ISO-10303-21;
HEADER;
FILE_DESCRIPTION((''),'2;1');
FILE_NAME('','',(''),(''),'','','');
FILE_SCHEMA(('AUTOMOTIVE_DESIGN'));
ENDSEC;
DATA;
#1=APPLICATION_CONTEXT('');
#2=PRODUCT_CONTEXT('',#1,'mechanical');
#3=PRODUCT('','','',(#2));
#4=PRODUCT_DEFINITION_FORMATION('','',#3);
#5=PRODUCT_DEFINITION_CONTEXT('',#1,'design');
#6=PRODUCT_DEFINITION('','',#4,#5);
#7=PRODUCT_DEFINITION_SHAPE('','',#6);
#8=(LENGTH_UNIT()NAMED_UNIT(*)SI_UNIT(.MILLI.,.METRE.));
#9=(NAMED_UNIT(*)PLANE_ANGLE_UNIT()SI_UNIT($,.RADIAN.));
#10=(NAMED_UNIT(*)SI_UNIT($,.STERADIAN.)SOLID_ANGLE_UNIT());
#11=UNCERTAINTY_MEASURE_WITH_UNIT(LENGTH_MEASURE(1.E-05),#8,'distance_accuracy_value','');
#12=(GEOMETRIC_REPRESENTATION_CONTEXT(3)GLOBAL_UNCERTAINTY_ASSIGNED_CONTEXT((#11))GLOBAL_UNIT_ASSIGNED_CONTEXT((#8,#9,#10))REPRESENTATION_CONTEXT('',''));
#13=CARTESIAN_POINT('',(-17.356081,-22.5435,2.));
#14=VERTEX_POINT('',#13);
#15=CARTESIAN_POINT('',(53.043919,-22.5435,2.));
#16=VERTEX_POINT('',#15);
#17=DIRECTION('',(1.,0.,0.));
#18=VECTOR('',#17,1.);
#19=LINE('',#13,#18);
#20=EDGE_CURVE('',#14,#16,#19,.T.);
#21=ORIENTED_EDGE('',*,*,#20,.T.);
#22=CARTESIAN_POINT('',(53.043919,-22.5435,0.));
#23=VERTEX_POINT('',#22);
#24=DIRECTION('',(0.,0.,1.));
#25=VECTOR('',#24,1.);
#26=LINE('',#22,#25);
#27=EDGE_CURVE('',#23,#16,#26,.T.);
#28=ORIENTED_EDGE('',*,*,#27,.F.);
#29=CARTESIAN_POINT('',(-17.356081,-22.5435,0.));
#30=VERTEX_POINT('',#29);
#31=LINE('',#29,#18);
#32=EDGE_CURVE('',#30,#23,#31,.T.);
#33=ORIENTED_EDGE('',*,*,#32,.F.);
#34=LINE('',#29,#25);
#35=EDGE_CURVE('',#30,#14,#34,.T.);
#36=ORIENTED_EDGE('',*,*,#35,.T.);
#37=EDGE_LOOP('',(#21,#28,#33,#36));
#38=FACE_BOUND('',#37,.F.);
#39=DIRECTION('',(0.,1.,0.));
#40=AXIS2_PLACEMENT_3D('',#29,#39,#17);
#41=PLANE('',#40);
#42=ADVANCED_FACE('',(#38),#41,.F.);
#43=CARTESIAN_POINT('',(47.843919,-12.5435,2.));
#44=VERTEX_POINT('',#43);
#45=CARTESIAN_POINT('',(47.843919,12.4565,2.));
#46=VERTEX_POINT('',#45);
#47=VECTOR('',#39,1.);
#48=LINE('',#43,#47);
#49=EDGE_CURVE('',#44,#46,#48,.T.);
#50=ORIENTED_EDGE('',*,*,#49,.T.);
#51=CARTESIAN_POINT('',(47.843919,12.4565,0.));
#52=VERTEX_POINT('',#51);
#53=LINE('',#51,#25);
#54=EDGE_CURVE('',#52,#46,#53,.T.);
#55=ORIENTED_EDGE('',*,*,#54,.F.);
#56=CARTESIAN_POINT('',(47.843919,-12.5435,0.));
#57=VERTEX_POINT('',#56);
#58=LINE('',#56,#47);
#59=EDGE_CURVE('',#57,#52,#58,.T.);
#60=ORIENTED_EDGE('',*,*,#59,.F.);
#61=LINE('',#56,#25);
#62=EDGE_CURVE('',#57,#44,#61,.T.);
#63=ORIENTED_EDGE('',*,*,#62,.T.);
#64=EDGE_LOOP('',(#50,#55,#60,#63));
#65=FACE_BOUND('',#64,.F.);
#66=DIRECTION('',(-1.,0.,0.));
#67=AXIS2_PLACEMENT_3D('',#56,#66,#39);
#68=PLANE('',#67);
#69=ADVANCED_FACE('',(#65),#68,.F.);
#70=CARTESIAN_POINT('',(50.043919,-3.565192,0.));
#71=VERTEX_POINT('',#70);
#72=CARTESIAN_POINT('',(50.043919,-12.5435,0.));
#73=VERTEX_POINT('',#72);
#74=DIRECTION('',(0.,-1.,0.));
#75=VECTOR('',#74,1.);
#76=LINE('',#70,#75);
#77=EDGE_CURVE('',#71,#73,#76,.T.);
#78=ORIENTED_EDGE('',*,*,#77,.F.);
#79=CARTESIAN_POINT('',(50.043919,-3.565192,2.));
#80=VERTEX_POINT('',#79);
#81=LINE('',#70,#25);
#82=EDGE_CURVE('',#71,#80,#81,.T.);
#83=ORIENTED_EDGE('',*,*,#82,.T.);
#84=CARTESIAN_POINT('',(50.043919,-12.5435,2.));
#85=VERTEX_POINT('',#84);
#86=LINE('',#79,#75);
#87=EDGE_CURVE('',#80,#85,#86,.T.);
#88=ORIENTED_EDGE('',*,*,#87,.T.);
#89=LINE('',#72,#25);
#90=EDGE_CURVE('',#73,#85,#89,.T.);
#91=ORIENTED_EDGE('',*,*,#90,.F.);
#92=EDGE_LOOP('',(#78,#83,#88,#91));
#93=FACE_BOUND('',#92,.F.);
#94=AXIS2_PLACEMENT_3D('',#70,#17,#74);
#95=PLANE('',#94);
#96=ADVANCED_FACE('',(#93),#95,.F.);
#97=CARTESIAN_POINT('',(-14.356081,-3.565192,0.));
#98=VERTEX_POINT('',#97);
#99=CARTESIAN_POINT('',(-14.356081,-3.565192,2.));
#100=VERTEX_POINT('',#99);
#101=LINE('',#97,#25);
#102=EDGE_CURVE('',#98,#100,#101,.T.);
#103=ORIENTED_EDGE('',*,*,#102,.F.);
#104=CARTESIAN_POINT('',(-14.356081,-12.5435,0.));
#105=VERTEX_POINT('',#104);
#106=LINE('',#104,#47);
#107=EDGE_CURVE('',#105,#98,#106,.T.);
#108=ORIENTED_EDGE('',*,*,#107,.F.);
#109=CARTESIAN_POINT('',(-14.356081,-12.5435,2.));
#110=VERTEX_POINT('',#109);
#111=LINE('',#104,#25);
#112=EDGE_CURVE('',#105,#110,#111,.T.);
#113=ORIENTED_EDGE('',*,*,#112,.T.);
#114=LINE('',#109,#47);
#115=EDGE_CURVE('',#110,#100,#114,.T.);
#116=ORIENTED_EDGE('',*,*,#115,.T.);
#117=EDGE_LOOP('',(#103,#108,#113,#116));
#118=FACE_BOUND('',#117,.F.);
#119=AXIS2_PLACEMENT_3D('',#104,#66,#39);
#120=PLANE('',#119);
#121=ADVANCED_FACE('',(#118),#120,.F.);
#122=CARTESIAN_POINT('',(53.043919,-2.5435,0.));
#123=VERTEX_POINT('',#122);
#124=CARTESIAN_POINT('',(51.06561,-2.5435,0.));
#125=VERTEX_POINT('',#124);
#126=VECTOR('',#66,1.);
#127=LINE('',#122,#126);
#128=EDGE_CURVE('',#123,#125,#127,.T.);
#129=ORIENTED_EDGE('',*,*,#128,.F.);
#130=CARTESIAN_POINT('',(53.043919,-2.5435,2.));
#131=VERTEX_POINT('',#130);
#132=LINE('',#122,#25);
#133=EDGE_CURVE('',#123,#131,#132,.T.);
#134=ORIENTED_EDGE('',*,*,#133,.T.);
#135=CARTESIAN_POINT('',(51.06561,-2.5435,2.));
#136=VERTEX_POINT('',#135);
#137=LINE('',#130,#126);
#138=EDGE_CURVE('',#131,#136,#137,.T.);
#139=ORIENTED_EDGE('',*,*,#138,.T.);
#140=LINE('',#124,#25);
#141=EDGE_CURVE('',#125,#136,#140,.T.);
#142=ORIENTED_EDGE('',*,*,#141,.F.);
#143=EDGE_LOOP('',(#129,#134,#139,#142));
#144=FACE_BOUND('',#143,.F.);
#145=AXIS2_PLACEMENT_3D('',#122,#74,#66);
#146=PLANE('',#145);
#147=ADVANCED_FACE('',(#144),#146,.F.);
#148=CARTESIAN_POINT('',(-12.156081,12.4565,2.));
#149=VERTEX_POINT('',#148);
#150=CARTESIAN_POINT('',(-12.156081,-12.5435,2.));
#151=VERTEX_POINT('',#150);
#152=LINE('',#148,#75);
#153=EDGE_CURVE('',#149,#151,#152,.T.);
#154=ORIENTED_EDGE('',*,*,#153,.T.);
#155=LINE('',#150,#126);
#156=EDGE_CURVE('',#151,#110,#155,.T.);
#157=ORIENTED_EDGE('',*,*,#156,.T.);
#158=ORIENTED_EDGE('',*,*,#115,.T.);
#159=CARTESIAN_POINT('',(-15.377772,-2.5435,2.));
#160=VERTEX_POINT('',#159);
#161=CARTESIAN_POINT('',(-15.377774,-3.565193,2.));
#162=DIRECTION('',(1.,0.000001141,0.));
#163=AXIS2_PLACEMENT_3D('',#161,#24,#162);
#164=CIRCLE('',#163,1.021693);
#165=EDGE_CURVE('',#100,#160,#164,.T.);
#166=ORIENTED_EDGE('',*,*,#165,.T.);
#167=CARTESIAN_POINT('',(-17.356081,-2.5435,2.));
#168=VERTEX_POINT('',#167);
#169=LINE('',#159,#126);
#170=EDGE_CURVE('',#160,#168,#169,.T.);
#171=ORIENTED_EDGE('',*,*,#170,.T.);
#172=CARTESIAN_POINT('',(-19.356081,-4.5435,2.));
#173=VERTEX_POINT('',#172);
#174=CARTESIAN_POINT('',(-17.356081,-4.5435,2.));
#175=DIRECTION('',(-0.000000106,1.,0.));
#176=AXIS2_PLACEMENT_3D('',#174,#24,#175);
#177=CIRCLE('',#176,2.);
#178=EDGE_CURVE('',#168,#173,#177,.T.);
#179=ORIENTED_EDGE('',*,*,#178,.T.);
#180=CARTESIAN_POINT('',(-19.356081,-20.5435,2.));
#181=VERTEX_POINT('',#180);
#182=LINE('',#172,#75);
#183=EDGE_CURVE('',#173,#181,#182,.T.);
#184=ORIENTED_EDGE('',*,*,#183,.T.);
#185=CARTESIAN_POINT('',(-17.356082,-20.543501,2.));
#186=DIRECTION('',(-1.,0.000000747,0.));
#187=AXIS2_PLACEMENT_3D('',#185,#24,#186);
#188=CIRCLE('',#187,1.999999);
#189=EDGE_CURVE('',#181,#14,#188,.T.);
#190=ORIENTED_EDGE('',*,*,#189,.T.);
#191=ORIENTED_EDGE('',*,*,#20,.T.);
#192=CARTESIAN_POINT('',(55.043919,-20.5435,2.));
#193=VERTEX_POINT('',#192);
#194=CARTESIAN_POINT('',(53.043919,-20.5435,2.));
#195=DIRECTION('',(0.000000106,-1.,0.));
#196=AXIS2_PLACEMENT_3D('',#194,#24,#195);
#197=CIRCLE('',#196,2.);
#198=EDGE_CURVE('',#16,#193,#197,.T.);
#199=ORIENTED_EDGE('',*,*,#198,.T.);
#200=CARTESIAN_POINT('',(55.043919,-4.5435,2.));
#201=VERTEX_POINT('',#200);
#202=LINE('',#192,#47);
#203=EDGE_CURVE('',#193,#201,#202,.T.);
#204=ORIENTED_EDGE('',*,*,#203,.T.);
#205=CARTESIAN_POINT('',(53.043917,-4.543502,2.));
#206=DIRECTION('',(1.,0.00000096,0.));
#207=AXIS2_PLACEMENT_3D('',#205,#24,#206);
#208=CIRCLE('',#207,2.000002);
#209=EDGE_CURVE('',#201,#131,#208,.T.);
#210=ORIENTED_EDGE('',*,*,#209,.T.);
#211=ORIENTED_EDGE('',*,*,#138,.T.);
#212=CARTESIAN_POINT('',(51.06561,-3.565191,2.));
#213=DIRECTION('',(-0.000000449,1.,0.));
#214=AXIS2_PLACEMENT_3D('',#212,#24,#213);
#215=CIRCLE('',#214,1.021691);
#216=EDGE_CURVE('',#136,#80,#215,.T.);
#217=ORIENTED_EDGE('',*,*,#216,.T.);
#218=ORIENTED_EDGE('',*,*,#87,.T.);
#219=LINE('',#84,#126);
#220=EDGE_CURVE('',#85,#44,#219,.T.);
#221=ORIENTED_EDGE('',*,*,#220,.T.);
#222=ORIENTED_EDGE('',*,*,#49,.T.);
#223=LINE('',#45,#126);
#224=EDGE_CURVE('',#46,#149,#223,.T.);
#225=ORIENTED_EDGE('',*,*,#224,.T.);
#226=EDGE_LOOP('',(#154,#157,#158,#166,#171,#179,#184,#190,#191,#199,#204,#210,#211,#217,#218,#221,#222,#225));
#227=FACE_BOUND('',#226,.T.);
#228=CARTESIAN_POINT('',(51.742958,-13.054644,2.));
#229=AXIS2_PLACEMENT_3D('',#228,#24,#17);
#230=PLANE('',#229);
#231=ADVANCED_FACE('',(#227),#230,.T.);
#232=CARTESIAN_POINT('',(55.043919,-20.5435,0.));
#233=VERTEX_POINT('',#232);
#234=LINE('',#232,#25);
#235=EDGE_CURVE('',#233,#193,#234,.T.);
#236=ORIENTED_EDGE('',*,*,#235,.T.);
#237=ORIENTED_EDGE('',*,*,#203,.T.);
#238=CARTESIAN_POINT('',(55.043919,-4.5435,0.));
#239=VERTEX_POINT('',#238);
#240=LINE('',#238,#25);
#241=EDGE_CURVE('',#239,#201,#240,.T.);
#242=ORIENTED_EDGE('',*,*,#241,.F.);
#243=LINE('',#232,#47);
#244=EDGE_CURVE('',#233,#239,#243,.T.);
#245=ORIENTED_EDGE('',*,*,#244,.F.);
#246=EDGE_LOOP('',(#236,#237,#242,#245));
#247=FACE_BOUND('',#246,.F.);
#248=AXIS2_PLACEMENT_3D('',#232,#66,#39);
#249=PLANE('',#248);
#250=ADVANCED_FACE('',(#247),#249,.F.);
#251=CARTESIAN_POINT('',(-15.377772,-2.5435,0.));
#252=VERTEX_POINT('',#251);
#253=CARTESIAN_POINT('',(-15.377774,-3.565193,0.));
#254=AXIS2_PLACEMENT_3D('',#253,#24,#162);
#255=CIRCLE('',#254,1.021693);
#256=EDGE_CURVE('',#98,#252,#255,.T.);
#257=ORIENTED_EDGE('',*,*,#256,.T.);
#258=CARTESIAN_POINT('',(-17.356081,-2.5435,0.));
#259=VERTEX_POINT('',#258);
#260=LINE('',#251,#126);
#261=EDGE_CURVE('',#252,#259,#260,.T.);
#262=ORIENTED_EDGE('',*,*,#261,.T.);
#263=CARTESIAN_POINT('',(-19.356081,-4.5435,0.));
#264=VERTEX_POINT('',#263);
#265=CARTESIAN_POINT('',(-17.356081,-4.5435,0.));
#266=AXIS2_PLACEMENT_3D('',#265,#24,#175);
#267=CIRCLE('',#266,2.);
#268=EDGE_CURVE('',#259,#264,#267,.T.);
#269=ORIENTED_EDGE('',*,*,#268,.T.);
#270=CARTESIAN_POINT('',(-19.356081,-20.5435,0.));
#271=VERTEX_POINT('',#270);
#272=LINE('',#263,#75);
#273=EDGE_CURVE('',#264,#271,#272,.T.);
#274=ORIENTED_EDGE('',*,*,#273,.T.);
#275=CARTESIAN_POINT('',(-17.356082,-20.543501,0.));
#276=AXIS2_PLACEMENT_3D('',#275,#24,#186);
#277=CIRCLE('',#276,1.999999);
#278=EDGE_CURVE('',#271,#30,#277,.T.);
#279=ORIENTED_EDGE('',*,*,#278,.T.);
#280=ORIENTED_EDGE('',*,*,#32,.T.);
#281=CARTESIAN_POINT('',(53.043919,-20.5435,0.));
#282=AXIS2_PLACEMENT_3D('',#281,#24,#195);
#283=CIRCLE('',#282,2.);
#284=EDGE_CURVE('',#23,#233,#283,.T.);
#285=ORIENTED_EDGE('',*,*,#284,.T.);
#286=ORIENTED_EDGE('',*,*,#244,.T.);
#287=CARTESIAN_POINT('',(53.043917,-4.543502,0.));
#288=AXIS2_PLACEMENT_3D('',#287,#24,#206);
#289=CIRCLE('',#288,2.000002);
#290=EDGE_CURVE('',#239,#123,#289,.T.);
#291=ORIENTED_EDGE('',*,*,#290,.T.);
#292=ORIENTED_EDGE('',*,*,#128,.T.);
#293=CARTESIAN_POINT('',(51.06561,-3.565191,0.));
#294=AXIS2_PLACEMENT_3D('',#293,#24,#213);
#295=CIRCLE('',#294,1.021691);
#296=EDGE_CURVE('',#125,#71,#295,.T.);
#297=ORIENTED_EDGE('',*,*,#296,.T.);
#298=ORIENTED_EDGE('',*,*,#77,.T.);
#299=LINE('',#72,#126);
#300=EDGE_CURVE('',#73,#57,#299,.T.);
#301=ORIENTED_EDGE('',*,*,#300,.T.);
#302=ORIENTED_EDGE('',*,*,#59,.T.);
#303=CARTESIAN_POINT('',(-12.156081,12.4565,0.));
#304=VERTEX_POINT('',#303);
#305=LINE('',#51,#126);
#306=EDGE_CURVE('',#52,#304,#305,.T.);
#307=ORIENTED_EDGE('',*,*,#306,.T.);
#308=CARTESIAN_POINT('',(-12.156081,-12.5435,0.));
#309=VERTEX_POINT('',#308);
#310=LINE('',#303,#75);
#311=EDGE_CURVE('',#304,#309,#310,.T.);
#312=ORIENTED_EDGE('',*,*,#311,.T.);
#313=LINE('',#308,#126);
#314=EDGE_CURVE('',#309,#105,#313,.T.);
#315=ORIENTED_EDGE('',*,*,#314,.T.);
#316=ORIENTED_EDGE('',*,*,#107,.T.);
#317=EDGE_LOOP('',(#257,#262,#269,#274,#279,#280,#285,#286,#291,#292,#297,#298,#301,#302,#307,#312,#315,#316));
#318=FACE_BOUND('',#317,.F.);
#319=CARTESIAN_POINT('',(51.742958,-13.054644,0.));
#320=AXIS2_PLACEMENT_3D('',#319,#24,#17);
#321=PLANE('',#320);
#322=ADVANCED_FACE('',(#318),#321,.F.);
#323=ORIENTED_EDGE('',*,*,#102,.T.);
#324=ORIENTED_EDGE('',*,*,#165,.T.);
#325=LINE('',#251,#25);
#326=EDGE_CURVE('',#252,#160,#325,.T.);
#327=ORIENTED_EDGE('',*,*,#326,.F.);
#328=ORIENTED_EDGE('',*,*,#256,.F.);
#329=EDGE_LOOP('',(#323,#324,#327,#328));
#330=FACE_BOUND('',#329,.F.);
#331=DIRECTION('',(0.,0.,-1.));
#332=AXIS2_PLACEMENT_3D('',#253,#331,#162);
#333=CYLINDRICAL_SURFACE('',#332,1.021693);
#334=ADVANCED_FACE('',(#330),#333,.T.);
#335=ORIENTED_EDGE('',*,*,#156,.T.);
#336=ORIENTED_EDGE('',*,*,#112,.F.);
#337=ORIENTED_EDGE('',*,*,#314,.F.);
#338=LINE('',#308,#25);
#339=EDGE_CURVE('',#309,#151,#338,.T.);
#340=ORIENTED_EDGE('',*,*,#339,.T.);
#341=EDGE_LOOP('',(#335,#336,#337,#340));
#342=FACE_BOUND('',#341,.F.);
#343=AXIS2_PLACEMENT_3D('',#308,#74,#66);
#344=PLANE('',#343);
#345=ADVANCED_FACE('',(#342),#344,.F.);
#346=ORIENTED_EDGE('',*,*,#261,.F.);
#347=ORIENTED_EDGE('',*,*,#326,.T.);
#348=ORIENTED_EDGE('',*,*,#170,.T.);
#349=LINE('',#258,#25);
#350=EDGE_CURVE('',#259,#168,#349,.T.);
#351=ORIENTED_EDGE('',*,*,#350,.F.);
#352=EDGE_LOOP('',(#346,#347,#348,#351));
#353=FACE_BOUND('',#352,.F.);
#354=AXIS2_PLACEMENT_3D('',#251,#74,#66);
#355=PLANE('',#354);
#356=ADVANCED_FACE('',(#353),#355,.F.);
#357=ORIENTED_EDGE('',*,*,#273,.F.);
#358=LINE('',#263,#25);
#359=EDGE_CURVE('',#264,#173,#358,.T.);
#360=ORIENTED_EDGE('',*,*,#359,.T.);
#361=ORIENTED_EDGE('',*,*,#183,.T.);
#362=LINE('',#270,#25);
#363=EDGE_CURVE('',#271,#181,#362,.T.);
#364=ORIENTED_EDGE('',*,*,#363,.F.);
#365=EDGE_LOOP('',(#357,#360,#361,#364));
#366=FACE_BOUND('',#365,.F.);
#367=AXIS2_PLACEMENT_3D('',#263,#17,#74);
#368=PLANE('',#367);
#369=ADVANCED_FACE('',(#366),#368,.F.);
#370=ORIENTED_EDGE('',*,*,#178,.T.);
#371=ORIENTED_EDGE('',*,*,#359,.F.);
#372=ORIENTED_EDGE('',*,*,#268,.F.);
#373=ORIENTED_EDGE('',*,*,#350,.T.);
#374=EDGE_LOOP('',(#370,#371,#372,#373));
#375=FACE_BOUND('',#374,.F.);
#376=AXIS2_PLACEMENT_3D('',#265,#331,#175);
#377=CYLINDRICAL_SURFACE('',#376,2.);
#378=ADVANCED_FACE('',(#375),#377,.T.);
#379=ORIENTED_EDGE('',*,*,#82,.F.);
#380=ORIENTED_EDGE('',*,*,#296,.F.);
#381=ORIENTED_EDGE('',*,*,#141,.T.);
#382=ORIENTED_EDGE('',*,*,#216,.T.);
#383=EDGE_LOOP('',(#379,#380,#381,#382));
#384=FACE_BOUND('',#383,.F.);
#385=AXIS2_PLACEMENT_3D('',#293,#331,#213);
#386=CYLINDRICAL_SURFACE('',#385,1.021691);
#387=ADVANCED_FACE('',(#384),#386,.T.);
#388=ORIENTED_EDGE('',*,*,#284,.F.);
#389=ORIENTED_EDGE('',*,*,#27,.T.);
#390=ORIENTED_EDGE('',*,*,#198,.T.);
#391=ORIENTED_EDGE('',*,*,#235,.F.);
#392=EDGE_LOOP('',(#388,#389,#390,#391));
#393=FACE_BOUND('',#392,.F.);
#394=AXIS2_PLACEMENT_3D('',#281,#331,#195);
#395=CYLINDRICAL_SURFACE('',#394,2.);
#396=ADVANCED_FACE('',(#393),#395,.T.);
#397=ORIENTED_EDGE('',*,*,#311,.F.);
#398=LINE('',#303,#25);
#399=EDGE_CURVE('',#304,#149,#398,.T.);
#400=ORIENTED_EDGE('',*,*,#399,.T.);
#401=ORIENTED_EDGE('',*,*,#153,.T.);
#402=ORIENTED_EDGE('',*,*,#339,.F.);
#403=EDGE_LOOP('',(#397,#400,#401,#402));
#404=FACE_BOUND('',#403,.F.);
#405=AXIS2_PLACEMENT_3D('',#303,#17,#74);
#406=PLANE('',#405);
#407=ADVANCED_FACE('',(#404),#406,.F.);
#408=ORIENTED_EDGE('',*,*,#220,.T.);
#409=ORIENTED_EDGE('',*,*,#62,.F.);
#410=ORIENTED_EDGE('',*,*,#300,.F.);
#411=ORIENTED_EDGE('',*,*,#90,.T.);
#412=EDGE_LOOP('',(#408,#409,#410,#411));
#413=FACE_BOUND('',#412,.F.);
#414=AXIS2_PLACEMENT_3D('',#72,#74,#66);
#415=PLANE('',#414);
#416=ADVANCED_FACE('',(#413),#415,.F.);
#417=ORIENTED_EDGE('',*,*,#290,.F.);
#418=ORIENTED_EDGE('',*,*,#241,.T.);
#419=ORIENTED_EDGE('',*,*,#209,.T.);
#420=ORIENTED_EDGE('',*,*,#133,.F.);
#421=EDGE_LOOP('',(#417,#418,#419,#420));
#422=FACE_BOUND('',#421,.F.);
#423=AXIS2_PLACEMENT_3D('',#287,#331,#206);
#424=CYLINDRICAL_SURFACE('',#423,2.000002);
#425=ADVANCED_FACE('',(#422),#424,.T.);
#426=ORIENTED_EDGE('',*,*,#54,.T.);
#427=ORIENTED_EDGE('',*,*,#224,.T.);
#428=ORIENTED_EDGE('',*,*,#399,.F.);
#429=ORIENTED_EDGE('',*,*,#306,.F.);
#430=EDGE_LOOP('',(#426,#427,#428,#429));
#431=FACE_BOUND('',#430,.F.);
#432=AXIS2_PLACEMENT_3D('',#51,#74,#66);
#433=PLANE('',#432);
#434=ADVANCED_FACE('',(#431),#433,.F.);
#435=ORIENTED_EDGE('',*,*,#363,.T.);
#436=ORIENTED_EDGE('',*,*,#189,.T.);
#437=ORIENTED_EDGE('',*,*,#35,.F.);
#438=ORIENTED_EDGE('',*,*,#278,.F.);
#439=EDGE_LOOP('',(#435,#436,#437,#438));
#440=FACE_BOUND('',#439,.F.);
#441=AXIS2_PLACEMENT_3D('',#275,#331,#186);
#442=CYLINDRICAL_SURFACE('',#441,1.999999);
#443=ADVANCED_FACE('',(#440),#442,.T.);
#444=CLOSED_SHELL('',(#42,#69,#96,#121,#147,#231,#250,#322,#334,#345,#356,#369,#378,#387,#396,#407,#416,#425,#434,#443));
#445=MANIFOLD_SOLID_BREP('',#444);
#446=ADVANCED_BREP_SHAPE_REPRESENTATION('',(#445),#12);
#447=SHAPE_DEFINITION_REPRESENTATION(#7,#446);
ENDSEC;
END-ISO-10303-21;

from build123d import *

# Parameters (mm, degrees)
F1_DEPTH = 2


with BuildPart() as f1:
    # F0 (on Top) → F1 (new body)
    with BuildSketch(Plane.XY):
        with BuildLine():
            Line((50.043919, -12.5435), (47.843919, -12.5435))
            Line((47.843919, -12.5435), (47.843919, -22.5435))
            Line((47.843919, -22.5435), (50.043919, -22.5435))
            Line((50.043919, -22.5435), (53.043919, -22.5435))
            ThreePointArc((53.043919, -22.5435), (54.458132, -21.957714), (55.043919, -20.5435))
            Line((55.043919, -20.5435), (55.043919, -4.5435))
            ThreePointArc((55.043919, -4.5435), (54.458132, -3.129287), (53.043919, -2.5435))
            Line((53.043919, -2.5435), (51.06561, -2.5435))
            ThreePointArc((51.06561, -2.5435), (50.343165, -2.842747), (50.043919, -3.565192))
            Line((50.043919, -3.565192), (50.043919, -12.5435))
        make_face()
        with BuildLine():
            Line((-12.156081, -22.5435), (-12.156081, -12.5435))
            Line((-12.156081, -12.5435), (-14.356081, -12.5435))
            Line((-14.356081, -12.5435), (-14.356081, -3.565192))
            ThreePointArc((-14.356081, -3.565192), (-14.655328, -2.842747), (-15.377772, -2.5435))
            Line((-15.377772, -2.5435), (-17.356081, -2.5435))
            ThreePointArc((-17.356081, -2.5435), (-18.770295, -3.129287), (-19.356081, -4.5435))
            Line((-19.356081, -4.5435), (-19.356081, -20.5435))
            ThreePointArc((-19.356081, -20.5435), (-18.770295, -21.957714), (-17.356081, -22.5435))
            Line((-17.356081, -22.5435), (-14.356081, -22.5435))
            Line((-14.356081, -22.5435), (-12.156081, -22.5435))
        make_face()
        Polygon((47.843919, 12.4565), (-12.156081, 12.4565), (-12.156081, -12.5435), (-12.156081, -22.5435), (47.843919, -22.5435), (47.843919, -12.5435), align=None)
    extrude(amount=F1_DEPTH)


solid = f1.part
